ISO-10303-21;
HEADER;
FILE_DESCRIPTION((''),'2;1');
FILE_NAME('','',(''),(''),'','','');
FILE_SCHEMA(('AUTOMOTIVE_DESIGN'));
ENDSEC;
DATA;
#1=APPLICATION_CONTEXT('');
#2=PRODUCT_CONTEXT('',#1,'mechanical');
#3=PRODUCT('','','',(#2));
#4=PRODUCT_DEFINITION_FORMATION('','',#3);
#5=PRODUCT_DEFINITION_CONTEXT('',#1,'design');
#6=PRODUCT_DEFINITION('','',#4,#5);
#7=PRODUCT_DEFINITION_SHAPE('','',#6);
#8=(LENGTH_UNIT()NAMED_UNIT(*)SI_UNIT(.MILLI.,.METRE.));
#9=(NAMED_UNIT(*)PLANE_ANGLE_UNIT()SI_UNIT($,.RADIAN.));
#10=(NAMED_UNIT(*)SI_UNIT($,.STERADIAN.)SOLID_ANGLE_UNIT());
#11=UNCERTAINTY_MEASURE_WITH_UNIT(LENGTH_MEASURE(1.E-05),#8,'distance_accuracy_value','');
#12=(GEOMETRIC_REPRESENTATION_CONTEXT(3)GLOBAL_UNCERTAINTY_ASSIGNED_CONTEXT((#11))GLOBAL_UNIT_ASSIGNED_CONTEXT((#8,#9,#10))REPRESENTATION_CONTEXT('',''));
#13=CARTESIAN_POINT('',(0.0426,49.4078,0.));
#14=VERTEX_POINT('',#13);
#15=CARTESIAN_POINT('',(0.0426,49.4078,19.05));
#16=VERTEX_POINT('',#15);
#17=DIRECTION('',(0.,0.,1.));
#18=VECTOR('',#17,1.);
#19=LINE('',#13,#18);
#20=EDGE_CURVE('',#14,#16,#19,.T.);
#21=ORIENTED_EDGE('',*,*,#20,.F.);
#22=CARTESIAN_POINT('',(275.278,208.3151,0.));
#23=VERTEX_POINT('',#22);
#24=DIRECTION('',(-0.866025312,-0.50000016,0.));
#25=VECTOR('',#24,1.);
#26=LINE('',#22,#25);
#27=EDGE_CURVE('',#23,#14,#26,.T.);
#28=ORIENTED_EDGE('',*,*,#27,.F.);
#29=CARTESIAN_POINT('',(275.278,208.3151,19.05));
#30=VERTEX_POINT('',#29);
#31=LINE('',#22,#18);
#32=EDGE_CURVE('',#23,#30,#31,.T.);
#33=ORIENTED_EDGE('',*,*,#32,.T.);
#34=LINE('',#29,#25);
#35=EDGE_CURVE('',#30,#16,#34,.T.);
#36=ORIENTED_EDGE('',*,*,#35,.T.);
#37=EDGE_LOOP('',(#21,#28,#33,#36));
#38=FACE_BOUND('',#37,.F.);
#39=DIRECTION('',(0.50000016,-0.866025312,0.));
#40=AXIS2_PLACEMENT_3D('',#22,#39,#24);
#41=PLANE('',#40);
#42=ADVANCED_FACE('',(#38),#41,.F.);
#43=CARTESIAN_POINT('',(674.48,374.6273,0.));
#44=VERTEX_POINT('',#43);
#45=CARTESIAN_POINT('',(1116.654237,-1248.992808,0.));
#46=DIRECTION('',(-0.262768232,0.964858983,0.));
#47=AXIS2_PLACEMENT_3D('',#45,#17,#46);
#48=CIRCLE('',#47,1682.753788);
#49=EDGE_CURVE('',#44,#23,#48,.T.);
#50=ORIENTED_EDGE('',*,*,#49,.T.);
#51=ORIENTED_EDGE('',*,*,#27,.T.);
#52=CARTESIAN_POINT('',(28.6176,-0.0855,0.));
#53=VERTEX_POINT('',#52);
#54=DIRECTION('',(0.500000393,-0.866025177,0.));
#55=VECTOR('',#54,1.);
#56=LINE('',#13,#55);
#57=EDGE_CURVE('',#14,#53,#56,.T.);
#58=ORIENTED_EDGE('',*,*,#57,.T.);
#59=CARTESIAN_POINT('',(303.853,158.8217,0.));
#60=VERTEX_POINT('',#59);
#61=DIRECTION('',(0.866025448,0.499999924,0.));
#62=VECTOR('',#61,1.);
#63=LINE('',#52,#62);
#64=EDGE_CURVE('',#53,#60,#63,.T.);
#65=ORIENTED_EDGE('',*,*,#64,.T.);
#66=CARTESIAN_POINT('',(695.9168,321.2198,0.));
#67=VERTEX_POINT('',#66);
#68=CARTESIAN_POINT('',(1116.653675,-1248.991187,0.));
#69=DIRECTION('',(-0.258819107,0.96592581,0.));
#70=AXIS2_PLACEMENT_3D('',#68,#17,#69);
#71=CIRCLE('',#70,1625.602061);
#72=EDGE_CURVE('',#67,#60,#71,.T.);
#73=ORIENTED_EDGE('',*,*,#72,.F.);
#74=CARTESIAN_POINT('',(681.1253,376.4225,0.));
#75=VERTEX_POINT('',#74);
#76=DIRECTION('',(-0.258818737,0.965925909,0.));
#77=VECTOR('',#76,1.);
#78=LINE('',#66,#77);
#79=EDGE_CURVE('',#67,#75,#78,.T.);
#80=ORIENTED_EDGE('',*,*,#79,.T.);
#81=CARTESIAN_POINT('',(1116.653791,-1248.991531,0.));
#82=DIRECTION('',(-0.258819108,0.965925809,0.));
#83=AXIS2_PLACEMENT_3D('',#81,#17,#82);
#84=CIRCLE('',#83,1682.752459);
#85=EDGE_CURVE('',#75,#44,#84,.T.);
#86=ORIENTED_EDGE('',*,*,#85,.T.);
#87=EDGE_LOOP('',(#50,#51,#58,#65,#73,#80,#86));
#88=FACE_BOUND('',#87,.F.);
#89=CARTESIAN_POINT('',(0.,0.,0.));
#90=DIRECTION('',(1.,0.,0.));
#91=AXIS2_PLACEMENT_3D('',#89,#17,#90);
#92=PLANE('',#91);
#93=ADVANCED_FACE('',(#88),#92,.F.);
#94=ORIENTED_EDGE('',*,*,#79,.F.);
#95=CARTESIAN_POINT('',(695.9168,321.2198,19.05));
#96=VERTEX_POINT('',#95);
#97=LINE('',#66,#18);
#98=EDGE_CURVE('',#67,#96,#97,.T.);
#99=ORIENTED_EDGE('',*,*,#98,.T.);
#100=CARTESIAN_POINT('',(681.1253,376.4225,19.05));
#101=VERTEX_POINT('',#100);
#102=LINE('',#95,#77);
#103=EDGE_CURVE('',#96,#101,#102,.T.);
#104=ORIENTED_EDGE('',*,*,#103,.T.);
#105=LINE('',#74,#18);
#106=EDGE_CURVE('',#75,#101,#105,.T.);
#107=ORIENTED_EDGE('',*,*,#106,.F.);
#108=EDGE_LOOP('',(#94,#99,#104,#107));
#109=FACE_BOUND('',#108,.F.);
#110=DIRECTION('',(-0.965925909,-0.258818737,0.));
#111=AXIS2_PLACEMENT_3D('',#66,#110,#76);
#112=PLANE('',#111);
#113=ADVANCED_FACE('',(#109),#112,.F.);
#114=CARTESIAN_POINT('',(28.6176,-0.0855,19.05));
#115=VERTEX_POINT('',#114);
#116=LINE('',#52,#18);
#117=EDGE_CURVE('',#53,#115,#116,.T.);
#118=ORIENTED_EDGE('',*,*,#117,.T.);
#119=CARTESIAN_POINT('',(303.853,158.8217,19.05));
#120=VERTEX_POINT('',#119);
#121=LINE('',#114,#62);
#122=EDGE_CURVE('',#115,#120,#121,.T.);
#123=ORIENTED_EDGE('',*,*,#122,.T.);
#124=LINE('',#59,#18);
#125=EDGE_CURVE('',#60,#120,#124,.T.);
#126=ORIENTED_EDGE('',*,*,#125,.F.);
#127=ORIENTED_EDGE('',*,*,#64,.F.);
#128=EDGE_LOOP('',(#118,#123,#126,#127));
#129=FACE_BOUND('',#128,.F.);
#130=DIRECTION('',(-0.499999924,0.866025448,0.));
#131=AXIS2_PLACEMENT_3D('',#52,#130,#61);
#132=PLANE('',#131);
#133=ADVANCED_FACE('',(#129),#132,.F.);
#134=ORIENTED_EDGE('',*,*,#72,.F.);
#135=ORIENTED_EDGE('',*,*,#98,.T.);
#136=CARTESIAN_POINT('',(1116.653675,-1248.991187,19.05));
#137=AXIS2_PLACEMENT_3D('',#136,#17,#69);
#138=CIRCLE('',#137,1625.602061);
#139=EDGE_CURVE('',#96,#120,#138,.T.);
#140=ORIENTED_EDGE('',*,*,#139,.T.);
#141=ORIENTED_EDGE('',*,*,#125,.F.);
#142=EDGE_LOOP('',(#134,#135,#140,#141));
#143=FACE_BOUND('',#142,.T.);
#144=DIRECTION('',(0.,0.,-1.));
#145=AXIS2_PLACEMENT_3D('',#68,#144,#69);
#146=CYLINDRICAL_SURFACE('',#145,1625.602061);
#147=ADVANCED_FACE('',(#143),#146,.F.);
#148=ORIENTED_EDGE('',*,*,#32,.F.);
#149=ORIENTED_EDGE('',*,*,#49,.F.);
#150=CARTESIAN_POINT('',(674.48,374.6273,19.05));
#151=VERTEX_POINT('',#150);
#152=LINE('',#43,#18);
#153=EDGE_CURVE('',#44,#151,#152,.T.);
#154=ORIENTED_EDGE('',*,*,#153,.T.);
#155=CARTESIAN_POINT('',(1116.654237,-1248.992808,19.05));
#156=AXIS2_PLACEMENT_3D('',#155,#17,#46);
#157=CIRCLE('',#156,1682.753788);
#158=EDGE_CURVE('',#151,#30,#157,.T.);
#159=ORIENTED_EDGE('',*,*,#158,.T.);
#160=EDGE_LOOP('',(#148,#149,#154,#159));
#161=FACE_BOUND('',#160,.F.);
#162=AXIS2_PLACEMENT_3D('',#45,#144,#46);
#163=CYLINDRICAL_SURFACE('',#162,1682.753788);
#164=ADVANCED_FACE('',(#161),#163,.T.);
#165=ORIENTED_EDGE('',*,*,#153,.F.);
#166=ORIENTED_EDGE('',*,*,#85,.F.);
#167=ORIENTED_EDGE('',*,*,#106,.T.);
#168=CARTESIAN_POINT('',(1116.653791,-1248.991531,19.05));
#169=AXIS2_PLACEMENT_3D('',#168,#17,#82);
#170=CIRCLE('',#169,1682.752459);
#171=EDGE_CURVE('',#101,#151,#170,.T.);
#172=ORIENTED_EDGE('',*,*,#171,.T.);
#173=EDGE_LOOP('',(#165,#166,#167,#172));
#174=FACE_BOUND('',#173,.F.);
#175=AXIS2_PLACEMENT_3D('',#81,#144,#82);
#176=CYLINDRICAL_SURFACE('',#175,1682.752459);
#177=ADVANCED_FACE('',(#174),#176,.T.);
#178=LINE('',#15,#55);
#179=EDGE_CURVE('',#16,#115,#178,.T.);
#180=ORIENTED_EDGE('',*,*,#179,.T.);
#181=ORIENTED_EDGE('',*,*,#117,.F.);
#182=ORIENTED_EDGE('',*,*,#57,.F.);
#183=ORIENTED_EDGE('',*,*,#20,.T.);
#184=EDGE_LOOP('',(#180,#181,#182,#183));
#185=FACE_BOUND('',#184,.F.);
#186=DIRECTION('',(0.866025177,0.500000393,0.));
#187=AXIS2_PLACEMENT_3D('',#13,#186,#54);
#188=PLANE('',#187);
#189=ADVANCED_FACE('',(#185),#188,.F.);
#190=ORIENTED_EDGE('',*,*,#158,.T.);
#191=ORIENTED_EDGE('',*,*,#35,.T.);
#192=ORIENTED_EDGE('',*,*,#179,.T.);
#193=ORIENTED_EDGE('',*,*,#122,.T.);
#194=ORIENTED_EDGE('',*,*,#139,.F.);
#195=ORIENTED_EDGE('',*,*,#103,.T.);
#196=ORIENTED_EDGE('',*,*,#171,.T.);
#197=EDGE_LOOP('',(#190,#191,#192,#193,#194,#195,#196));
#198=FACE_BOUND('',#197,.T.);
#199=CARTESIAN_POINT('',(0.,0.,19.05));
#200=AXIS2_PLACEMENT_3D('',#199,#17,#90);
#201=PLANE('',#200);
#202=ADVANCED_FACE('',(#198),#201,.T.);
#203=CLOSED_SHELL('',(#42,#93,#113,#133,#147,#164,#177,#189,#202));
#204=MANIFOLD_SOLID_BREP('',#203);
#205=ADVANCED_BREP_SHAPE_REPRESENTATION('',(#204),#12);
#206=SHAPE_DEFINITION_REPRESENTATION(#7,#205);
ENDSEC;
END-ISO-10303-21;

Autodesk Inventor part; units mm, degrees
ref_plane "YZ Plane" through (0, 0, 0) normal (1, 0, 0) x (0, 1, 0)
ref_plane "XZ Plane" through (0, 0, 0) normal (0, 1, 0) x (-1, 0, 0)
ref_plane "XY Plane" through (0, 0, 0) normal (0, 0, 1) x (1, 0, 0)
sketch "Sketch1" plane through (0, 0, 0) normal (0, 0, 1) x (1, 0, 0)
  arc A0 (674.48, 374.6273) -> (275.278, 208.3151) centre (1116.653, -1248.9892) ccw
  line L0 (275.278, 208.3151) -> (0.0426, 49.4078)
  line L1 (0.0426, 49.4078) -> (28.6176, -0.0855)
  line L2 (28.6176, -0.0855) -> (303.853, 158.8217)
  arc A1 (695.9168, 321.2198) -> (303.853, 158.8217) centre (1116.653, -1248.9892) ccw
  line L3 (695.9168, 321.2198) -> (681.1253, 376.4225)
  arc A2 (681.1253, 376.4225) -> (275.278, 208.3151) centre (1116.653, -1248.9892) ccw
  line L4 (275.278, 208.3151) -> (0.0426, 49.4078)
  point P0 (0, 0)
extrude "Extrusion1" add sketch "Sketch1" along normal blind 19.05
properties part number "nd-15"
